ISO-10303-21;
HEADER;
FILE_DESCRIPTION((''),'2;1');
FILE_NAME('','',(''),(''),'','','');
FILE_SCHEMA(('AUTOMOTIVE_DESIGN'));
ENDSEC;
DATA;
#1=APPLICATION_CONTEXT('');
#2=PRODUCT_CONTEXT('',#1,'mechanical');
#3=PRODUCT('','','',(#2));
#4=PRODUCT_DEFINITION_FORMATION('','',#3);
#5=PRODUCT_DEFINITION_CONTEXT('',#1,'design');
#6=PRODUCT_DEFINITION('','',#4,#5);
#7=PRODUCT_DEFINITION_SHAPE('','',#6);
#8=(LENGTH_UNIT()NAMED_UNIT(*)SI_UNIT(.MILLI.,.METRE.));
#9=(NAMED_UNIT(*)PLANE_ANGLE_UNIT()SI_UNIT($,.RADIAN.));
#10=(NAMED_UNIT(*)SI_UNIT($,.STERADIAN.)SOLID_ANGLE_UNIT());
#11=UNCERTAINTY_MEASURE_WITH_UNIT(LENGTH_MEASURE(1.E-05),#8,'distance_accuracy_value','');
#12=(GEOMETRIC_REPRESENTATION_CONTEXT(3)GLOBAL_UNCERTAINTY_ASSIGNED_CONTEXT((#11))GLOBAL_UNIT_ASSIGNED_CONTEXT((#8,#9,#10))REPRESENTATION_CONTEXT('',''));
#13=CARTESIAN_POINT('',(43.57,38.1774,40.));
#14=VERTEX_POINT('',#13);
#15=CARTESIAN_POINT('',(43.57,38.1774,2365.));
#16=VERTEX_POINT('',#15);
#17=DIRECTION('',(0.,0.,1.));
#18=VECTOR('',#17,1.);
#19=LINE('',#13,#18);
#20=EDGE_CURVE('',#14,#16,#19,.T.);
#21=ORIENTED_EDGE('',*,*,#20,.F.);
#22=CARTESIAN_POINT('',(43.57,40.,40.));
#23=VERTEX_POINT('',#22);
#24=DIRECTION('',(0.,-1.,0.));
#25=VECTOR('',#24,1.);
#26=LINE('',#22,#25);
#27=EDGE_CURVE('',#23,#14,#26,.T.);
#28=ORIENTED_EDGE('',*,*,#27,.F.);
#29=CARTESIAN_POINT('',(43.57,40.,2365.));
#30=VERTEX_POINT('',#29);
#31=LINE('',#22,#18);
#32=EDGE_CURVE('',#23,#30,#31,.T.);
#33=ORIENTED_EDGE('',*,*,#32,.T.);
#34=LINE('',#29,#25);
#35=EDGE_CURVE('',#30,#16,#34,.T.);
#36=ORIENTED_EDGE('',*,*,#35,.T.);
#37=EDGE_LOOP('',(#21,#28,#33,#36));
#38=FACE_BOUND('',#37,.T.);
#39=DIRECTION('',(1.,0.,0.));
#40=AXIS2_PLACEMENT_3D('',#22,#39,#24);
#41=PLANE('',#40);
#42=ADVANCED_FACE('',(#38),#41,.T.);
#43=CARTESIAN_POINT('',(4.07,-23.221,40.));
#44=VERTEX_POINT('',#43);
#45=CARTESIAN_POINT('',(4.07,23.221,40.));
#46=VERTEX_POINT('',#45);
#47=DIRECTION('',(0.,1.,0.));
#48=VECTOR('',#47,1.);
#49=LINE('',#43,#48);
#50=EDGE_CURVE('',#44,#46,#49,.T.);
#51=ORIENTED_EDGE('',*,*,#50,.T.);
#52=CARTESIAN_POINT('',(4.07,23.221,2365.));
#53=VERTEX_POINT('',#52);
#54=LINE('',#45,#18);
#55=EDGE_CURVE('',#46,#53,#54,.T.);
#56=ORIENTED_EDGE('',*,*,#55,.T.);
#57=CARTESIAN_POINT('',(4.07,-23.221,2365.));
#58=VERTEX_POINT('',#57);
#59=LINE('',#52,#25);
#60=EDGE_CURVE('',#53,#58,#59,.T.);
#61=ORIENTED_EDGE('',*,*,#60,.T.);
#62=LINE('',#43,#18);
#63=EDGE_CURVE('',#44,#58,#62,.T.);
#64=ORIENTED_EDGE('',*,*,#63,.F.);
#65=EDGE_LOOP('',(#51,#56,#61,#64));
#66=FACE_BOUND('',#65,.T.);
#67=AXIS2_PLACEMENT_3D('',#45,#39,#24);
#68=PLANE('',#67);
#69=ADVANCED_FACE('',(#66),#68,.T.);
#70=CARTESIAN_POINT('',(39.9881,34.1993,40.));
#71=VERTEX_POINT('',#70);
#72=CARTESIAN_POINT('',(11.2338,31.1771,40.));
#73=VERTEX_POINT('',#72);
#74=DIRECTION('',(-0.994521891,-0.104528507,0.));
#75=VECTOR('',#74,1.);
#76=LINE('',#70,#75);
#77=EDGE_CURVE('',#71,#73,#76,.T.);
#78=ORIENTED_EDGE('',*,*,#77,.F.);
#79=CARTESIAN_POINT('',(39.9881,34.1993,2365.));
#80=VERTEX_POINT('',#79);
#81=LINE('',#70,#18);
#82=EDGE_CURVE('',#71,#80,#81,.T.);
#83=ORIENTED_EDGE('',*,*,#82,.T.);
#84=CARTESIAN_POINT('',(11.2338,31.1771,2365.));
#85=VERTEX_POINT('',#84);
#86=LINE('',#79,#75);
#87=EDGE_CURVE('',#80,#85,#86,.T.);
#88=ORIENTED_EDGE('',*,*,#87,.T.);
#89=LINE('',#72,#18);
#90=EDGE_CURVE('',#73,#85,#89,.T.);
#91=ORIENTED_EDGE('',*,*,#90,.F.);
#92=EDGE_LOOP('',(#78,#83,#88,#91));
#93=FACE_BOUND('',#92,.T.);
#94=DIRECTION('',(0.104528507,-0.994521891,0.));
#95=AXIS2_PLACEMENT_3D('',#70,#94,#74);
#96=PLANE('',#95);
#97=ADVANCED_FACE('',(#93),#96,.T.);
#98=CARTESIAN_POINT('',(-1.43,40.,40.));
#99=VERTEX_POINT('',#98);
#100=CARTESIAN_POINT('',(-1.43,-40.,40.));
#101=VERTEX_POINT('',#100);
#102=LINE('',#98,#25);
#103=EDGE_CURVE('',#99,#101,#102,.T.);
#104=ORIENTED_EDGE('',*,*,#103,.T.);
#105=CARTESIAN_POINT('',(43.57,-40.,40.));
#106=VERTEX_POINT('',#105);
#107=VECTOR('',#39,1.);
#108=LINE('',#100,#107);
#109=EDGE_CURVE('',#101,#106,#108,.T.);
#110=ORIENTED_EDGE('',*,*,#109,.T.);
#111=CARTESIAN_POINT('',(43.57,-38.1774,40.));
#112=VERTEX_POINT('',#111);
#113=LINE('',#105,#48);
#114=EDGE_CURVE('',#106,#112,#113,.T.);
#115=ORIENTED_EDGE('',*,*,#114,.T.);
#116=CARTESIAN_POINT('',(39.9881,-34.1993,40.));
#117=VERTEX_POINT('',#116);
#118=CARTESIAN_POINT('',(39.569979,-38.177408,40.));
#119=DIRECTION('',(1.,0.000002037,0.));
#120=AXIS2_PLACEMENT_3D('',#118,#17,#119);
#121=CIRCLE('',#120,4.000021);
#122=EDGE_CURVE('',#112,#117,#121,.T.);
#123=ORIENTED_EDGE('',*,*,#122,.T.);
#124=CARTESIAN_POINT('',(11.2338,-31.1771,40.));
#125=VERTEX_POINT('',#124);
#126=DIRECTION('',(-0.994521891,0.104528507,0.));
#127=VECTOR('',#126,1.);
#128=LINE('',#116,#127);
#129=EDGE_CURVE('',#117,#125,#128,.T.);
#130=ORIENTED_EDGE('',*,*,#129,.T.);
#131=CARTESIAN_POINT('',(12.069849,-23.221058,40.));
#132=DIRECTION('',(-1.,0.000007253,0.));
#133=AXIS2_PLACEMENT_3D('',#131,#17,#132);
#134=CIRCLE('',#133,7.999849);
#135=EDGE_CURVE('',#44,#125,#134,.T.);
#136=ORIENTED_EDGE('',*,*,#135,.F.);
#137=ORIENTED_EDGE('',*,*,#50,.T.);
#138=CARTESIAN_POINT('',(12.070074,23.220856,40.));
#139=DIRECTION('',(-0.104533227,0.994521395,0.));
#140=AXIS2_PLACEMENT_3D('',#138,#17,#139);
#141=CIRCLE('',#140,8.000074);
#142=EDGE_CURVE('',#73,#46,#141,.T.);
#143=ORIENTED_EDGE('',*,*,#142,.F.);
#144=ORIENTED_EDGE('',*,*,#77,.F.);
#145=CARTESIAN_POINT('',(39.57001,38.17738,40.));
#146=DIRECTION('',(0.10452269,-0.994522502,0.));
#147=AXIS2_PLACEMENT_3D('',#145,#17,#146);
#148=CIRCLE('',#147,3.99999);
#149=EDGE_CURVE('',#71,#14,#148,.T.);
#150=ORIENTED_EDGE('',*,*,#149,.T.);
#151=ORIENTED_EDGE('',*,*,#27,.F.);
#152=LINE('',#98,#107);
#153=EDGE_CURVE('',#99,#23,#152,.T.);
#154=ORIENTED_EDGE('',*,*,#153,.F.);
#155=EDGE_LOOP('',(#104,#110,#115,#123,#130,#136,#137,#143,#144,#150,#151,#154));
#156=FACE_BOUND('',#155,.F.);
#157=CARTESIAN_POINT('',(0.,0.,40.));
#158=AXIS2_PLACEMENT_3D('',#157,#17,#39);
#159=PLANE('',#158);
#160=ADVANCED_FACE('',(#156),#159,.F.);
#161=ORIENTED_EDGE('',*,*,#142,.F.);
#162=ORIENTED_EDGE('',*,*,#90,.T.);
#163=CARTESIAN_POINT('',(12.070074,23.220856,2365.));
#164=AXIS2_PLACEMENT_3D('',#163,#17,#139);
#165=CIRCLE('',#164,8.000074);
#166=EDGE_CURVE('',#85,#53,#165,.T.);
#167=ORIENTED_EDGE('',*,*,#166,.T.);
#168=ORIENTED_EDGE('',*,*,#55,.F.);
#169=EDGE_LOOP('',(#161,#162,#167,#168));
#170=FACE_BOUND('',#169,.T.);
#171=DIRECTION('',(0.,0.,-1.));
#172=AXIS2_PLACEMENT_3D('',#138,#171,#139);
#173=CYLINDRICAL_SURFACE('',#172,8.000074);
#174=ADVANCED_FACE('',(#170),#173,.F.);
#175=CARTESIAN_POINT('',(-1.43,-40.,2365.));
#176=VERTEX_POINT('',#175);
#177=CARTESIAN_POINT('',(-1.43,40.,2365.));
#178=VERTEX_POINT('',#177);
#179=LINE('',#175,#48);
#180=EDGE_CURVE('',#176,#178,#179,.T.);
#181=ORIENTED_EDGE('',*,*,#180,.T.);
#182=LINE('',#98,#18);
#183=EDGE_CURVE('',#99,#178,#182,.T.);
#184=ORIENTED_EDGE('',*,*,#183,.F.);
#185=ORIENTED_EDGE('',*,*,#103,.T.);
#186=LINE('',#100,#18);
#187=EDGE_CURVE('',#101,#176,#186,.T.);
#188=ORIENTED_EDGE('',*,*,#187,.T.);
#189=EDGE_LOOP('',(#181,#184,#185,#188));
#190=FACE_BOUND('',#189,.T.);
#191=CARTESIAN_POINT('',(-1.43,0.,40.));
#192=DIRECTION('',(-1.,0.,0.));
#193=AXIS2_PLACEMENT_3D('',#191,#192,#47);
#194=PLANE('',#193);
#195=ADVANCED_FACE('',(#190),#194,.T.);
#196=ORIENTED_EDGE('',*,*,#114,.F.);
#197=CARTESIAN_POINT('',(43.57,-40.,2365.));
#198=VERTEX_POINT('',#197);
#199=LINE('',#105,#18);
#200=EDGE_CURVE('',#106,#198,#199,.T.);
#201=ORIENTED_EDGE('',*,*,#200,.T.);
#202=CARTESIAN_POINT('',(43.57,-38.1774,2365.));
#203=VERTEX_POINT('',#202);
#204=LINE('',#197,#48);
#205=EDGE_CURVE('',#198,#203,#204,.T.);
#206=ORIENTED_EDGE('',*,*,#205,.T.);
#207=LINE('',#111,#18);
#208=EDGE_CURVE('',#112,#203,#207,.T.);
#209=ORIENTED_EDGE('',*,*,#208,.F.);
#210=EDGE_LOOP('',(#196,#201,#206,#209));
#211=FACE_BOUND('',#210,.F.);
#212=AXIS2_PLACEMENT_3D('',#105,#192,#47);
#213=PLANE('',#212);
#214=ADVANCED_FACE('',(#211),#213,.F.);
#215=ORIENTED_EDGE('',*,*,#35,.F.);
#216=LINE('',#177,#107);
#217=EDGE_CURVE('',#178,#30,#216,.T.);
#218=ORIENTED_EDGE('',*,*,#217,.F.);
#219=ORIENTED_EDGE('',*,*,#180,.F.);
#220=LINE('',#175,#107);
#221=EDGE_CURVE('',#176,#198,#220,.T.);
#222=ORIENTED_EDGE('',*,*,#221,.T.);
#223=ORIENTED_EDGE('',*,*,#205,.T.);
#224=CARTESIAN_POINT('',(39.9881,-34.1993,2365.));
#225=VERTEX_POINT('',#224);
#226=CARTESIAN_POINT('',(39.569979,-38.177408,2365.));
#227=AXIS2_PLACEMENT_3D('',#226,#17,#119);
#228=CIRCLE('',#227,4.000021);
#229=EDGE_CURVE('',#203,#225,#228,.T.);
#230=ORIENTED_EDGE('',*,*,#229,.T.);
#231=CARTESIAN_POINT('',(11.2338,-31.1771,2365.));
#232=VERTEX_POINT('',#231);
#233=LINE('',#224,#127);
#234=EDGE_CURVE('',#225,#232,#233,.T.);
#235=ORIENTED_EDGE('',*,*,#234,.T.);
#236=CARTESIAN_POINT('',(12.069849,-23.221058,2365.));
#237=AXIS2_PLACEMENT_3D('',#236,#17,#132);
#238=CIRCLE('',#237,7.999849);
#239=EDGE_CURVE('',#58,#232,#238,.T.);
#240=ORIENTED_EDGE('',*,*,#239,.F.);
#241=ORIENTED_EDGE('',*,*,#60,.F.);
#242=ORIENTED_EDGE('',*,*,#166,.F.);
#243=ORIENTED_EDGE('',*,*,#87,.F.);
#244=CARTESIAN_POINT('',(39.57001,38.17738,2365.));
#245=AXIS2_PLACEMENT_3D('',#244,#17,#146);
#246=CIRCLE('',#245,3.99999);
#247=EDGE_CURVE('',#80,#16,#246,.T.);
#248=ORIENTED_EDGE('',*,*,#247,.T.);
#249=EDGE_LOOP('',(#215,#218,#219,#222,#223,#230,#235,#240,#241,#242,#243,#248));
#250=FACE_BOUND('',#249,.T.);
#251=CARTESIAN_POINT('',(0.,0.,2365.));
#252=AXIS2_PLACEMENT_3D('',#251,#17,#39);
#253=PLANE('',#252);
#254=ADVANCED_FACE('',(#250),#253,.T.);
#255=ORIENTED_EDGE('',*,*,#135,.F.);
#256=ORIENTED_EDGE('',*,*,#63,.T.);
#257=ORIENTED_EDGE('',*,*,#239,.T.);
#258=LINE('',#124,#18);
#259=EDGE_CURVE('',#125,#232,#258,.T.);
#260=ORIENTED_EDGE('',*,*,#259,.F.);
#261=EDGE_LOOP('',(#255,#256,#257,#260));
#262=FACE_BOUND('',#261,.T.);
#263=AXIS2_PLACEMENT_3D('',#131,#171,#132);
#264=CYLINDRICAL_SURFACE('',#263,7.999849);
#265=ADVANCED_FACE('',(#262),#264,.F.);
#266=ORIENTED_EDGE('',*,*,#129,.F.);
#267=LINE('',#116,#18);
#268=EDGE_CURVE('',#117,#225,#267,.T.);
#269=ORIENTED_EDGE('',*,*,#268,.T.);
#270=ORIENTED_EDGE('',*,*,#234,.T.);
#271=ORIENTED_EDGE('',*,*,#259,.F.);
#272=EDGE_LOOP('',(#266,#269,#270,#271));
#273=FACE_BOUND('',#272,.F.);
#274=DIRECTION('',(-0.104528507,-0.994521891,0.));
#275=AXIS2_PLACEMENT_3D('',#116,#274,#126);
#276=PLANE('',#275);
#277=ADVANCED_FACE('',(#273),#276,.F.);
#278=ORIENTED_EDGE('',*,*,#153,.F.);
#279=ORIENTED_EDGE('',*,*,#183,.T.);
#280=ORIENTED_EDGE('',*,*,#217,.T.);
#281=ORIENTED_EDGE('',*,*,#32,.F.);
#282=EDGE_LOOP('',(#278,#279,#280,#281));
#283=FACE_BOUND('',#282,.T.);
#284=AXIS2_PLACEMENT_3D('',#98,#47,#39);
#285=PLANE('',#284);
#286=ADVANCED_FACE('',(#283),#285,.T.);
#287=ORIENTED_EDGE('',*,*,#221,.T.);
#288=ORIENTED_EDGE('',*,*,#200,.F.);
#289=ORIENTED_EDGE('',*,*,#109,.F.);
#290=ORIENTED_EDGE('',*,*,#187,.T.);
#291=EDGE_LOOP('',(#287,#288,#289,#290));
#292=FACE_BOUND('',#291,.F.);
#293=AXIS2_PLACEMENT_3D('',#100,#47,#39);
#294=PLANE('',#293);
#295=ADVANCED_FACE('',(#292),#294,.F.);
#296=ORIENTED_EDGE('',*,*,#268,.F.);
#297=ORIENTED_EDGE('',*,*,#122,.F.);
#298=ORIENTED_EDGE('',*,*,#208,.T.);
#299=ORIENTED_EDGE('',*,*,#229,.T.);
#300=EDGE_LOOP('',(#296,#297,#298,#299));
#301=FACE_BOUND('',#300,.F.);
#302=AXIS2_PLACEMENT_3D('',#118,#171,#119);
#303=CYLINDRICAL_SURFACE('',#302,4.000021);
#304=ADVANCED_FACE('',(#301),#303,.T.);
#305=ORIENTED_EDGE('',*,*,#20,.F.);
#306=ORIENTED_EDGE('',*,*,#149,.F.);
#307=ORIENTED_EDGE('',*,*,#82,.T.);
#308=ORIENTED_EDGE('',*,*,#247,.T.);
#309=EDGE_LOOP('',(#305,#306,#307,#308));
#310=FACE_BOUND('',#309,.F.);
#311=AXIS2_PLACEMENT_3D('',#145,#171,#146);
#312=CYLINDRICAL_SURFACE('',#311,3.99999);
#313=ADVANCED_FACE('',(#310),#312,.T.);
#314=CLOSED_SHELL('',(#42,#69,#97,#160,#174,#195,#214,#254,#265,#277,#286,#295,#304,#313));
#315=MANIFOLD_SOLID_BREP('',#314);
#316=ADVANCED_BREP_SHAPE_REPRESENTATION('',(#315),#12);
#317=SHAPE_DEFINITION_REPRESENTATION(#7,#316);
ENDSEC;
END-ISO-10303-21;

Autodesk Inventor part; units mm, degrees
ref_plane "Начальная плоскость" through (0, 0, 40) normal (0, 0, 1) x (1, 0, 0)
ref_plane "Конечная плоскость" through (0, 0, 2365) normal (0, 0, 1) x (1, 0, 0)
sketch "Эскиз" plane through (0, 0, 0) normal (0, 0, 1) x (1, 0, 0)
  line L0 (-1.43, 0) -> (-1.43, 40)
  line L1 (-1.43, 40) -> (43.57, 40)
  line L2 (43.57, 40) -> (43.57, 38.1774)
  line L3 (39.9881, 34.1993) -> (11.2338, 31.1771)
  line L4 (4.07, 23.221) -> (4.07, 0)
  line L5 (4.07, 0) -> (-1.43, 0) construction
  line L6 (23.82, 40) -> (23.82, 32.5) construction
  line L7 (43.57, 34.5758) -> (43.57, 32.5) construction
  line L8 (43.57, 32.5) -> (23.82, 32.5) construction
  line L9 (0, 15) -> (0, -27) construction
  line L10 (-5.539, 0) -> (16.0067, 0) construction
  line L11 (-1.43, 0) -> (-1.43, -40)
  line L12 (-1.43, -40) -> (43.57, -40)
  line L13 (43.57, -40) -> (43.57, -38.1774)
  line L14 (39.9881, -34.1993) -> (11.2338, -31.1771)
  line L15 (4.07, -23.221) -> (4.07, 0)
  arc A0 (11.2338, 31.1771) -> (4.07, 23.221) centre (12.07, 23.221) ccw
  arc A1 (4.07, -23.221) -> (11.2338, -31.1771) centre (12.07, -23.221) ccw
  arc A2 (39.9881, 34.1993) -> (43.57, 38.1774) centre (39.57, 38.1774) ccw
  arc A3 (43.57, -38.1774) -> (39.9881, -34.1993) centre (39.57, -38.1774) ccw
  line L16 (0, 56) -> (0, -56) construction
  line L17 (-15.5135, 0) -> (54.308, 0) construction
  point P0 (4.07, 30.4242)
  point P1 (43.57, -34.5758)
  point P2 (4.07, -30.4242)
  point P3 (23.82, -40)
  point P4 (23.82, -32.5)
  dimension "d0" = 5.5
  dimension "d1" = 40
  dimension "d2" = 45
  dimension "d3" = 7.5
  dimension "d4" = 19.75
  dimension "d5" = 2.0758
  dimension "d23" = 8
  dimension "d24" = 4
  dimension "d25" = 1.43
extrude "Тело" add sketch "Эскиз" along normal up to surface (2325 mm away) from surface at 40
sketch "Sketch3" plane through (0, 0, 0) normal (0, 0, 1) x (1, 0, 0)
  line L0 (0, 0) -> (10, 0)
ref_plane "Work Plane3" through (0, 0, 0) normal (0, -1, 0) x (1, 0, 0)
sketch "Sketch4" plane through (0, 0, 0) normal (0, -1, 0) x (1, 0, 0)
  line L0 (-2, 40) -> (12, 40)
  line L1 (-2, 2365) -> (12, 2365)
  dimension "d29" = 2325
ref_plane "РабПлоскость4" through (-1.43, 1200, 40) normal (0, 0, -1) x (-1, 0, 0)
split "Разделение1" plane through (-1.43, 1200, 40) removes the side toward (0, 0, -1)
ref_plane "РабПлоскость5" through (-1.43, -520, 2365) normal (0, 0, 1) x (1, 0, 0)
split "Разделение2" plane through (-1.43, -520, 2365) removes the side toward (0, 0, 1)
equation "\"d0\" = G_T"
equation "\"d1\" = 0.5 * G_H"
equation "\"d2\" = G_W"
equation "\"d3\" = G_T1"
equation "\"d4\" = G_C"
equation "\"d23\" = G_IR"
equation "\"d24\" = G_ER"
equation "\"d25\" = ex"
equation "\"d6\" = G_L"
equation "\"G_W\" = 45"
equation "\"G_T\" = 5.5"
equation "\"G_T1\" = 7.5"
equation "\"G_NG\" = 0.105104"
equation "\"G_ER\" = 4"
equation "\"G_IR\" = 8"
equation "\"G_C\" = 19.75"
equation "\"G_L\" = d29"
equation "\"ex\" = 1.43"
equation "\"d27\" = G_OFFSET_END + B_L"
equation "\"B_L\" = 2405"
equation "\"G_H\" = 80"
equation "\"G_OFFSET_END\" = -40"
properties part number "ISO 657/11 - CH 80 x 8 - 2325" material "Сталь, мягкая"
